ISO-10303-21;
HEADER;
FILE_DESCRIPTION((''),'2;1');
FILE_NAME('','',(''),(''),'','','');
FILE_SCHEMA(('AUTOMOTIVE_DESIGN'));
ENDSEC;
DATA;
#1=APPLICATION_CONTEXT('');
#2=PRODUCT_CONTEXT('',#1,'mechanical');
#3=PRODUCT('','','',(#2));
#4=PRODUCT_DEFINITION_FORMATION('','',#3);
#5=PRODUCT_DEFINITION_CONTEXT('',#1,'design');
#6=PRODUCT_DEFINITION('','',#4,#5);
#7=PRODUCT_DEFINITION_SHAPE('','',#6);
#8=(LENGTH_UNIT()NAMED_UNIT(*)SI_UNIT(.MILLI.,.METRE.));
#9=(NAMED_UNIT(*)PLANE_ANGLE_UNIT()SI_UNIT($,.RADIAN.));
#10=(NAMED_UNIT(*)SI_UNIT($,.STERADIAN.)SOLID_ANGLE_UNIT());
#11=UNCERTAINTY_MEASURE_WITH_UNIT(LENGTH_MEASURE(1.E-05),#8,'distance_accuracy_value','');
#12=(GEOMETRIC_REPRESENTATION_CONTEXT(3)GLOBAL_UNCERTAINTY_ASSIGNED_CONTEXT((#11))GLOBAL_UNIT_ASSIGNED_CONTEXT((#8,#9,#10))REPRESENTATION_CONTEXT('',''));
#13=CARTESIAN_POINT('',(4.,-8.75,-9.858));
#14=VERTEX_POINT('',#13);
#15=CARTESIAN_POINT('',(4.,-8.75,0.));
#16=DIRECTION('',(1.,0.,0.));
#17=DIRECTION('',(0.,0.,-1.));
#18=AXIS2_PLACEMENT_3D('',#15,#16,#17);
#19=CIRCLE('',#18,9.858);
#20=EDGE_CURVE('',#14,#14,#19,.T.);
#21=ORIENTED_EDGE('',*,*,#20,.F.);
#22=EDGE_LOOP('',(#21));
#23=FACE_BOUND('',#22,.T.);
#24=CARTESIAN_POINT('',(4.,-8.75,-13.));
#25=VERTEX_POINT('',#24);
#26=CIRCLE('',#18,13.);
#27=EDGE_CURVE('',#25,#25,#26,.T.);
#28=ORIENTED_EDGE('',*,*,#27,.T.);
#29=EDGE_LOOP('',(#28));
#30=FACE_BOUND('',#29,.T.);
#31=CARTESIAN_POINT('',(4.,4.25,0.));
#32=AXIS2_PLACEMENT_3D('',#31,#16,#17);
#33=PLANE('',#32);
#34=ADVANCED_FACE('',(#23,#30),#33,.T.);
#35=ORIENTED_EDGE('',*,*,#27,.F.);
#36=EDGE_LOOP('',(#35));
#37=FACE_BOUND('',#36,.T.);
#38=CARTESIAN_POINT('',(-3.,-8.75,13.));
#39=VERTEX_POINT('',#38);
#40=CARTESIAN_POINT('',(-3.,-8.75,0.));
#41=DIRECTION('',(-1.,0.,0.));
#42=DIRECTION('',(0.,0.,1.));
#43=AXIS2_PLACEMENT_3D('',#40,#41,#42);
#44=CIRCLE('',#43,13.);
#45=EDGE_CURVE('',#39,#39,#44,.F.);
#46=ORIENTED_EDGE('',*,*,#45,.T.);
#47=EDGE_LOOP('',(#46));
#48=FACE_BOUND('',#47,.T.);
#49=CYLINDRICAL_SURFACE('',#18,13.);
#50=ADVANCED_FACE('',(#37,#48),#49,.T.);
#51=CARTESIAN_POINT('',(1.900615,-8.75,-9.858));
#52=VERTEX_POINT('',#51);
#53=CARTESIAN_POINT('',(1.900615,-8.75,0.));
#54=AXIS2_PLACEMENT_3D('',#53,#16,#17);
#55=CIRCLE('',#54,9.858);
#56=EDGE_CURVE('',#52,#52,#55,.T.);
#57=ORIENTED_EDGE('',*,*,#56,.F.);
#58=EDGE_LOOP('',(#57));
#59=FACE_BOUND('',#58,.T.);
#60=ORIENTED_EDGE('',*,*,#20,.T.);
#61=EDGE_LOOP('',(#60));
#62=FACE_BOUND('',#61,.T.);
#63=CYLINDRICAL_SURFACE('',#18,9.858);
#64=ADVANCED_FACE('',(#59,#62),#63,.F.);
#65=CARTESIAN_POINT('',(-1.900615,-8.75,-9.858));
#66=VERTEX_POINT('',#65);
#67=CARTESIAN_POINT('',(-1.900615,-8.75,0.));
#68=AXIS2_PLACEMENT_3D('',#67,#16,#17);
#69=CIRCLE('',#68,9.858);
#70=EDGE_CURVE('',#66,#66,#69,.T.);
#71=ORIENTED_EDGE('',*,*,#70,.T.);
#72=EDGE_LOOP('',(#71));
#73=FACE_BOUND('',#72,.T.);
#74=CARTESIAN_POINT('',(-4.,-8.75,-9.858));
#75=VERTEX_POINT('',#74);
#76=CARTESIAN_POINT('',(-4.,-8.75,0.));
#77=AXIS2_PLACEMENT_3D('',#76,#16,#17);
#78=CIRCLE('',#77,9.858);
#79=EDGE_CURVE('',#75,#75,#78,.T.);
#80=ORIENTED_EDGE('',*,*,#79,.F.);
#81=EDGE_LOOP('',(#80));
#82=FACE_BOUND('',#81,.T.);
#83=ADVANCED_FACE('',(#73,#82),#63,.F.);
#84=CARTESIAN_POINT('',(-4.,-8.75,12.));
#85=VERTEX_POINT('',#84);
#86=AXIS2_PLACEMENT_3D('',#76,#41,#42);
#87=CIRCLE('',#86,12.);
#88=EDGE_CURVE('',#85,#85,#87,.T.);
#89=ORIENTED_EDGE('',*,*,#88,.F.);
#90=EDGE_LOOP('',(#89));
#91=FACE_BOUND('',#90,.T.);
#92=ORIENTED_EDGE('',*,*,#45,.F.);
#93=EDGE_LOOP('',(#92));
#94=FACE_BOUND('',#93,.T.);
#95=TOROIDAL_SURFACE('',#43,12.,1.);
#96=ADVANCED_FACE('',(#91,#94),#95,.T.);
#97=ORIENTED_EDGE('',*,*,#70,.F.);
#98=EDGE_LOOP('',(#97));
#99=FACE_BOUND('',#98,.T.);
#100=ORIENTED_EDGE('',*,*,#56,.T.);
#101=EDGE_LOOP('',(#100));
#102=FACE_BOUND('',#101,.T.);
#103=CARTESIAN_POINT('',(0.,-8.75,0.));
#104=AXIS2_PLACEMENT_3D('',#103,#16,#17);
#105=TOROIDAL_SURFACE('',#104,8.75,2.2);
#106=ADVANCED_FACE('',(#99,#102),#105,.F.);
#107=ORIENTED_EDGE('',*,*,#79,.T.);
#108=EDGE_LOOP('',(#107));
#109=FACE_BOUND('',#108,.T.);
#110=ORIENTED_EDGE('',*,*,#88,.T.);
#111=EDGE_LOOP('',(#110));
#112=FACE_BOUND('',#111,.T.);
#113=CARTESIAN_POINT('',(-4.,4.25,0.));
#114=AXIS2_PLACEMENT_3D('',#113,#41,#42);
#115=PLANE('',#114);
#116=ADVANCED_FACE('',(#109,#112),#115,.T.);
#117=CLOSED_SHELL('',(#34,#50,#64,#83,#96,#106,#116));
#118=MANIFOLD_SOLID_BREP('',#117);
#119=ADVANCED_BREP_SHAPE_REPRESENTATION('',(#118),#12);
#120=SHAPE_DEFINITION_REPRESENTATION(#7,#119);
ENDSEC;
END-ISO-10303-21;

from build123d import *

# Parameters (mm, degrees)
FILLET1_R = 1


with BuildPart() as part:
    # Sketch1 → Revolve1 (revolve)
    with BuildSketch(Plane.XY, mode=Mode.PRIVATE) as revolve1_sk:
        with BuildLine():
            Line((0, 4.25), (4, 4.25))
            Line((4, 4.25), (4, 1.108))
            Line((4, 1.108), (1.900614637, 1.108))
            ThreePointArc((1.900614637, 1.108), (0, 2.2), (-1.900614637, 1.108))
            Line((-1.900614637, 1.108), (-4, 1.108))
            Line((-4, 1.108), (-4, 4.25))
            Line((-4, 4.25), (0, 4.25))
        make_face()
    revolve(revolve1_sk.sketch.rotate(Axis((4, -8.75, 0), (-1, 0, 0)), 90), axis=Axis((4, -8.75, 0), (-1, 0, 0)))

    # Fillet1
    fillet1_edges = [part.edges().sort_by_distance(p)[0] for p in [
        (-4, -8.75, 13),
    ]]
    fillet(fillet1_edges, radius=FILLET1_R)


solid = part.part
